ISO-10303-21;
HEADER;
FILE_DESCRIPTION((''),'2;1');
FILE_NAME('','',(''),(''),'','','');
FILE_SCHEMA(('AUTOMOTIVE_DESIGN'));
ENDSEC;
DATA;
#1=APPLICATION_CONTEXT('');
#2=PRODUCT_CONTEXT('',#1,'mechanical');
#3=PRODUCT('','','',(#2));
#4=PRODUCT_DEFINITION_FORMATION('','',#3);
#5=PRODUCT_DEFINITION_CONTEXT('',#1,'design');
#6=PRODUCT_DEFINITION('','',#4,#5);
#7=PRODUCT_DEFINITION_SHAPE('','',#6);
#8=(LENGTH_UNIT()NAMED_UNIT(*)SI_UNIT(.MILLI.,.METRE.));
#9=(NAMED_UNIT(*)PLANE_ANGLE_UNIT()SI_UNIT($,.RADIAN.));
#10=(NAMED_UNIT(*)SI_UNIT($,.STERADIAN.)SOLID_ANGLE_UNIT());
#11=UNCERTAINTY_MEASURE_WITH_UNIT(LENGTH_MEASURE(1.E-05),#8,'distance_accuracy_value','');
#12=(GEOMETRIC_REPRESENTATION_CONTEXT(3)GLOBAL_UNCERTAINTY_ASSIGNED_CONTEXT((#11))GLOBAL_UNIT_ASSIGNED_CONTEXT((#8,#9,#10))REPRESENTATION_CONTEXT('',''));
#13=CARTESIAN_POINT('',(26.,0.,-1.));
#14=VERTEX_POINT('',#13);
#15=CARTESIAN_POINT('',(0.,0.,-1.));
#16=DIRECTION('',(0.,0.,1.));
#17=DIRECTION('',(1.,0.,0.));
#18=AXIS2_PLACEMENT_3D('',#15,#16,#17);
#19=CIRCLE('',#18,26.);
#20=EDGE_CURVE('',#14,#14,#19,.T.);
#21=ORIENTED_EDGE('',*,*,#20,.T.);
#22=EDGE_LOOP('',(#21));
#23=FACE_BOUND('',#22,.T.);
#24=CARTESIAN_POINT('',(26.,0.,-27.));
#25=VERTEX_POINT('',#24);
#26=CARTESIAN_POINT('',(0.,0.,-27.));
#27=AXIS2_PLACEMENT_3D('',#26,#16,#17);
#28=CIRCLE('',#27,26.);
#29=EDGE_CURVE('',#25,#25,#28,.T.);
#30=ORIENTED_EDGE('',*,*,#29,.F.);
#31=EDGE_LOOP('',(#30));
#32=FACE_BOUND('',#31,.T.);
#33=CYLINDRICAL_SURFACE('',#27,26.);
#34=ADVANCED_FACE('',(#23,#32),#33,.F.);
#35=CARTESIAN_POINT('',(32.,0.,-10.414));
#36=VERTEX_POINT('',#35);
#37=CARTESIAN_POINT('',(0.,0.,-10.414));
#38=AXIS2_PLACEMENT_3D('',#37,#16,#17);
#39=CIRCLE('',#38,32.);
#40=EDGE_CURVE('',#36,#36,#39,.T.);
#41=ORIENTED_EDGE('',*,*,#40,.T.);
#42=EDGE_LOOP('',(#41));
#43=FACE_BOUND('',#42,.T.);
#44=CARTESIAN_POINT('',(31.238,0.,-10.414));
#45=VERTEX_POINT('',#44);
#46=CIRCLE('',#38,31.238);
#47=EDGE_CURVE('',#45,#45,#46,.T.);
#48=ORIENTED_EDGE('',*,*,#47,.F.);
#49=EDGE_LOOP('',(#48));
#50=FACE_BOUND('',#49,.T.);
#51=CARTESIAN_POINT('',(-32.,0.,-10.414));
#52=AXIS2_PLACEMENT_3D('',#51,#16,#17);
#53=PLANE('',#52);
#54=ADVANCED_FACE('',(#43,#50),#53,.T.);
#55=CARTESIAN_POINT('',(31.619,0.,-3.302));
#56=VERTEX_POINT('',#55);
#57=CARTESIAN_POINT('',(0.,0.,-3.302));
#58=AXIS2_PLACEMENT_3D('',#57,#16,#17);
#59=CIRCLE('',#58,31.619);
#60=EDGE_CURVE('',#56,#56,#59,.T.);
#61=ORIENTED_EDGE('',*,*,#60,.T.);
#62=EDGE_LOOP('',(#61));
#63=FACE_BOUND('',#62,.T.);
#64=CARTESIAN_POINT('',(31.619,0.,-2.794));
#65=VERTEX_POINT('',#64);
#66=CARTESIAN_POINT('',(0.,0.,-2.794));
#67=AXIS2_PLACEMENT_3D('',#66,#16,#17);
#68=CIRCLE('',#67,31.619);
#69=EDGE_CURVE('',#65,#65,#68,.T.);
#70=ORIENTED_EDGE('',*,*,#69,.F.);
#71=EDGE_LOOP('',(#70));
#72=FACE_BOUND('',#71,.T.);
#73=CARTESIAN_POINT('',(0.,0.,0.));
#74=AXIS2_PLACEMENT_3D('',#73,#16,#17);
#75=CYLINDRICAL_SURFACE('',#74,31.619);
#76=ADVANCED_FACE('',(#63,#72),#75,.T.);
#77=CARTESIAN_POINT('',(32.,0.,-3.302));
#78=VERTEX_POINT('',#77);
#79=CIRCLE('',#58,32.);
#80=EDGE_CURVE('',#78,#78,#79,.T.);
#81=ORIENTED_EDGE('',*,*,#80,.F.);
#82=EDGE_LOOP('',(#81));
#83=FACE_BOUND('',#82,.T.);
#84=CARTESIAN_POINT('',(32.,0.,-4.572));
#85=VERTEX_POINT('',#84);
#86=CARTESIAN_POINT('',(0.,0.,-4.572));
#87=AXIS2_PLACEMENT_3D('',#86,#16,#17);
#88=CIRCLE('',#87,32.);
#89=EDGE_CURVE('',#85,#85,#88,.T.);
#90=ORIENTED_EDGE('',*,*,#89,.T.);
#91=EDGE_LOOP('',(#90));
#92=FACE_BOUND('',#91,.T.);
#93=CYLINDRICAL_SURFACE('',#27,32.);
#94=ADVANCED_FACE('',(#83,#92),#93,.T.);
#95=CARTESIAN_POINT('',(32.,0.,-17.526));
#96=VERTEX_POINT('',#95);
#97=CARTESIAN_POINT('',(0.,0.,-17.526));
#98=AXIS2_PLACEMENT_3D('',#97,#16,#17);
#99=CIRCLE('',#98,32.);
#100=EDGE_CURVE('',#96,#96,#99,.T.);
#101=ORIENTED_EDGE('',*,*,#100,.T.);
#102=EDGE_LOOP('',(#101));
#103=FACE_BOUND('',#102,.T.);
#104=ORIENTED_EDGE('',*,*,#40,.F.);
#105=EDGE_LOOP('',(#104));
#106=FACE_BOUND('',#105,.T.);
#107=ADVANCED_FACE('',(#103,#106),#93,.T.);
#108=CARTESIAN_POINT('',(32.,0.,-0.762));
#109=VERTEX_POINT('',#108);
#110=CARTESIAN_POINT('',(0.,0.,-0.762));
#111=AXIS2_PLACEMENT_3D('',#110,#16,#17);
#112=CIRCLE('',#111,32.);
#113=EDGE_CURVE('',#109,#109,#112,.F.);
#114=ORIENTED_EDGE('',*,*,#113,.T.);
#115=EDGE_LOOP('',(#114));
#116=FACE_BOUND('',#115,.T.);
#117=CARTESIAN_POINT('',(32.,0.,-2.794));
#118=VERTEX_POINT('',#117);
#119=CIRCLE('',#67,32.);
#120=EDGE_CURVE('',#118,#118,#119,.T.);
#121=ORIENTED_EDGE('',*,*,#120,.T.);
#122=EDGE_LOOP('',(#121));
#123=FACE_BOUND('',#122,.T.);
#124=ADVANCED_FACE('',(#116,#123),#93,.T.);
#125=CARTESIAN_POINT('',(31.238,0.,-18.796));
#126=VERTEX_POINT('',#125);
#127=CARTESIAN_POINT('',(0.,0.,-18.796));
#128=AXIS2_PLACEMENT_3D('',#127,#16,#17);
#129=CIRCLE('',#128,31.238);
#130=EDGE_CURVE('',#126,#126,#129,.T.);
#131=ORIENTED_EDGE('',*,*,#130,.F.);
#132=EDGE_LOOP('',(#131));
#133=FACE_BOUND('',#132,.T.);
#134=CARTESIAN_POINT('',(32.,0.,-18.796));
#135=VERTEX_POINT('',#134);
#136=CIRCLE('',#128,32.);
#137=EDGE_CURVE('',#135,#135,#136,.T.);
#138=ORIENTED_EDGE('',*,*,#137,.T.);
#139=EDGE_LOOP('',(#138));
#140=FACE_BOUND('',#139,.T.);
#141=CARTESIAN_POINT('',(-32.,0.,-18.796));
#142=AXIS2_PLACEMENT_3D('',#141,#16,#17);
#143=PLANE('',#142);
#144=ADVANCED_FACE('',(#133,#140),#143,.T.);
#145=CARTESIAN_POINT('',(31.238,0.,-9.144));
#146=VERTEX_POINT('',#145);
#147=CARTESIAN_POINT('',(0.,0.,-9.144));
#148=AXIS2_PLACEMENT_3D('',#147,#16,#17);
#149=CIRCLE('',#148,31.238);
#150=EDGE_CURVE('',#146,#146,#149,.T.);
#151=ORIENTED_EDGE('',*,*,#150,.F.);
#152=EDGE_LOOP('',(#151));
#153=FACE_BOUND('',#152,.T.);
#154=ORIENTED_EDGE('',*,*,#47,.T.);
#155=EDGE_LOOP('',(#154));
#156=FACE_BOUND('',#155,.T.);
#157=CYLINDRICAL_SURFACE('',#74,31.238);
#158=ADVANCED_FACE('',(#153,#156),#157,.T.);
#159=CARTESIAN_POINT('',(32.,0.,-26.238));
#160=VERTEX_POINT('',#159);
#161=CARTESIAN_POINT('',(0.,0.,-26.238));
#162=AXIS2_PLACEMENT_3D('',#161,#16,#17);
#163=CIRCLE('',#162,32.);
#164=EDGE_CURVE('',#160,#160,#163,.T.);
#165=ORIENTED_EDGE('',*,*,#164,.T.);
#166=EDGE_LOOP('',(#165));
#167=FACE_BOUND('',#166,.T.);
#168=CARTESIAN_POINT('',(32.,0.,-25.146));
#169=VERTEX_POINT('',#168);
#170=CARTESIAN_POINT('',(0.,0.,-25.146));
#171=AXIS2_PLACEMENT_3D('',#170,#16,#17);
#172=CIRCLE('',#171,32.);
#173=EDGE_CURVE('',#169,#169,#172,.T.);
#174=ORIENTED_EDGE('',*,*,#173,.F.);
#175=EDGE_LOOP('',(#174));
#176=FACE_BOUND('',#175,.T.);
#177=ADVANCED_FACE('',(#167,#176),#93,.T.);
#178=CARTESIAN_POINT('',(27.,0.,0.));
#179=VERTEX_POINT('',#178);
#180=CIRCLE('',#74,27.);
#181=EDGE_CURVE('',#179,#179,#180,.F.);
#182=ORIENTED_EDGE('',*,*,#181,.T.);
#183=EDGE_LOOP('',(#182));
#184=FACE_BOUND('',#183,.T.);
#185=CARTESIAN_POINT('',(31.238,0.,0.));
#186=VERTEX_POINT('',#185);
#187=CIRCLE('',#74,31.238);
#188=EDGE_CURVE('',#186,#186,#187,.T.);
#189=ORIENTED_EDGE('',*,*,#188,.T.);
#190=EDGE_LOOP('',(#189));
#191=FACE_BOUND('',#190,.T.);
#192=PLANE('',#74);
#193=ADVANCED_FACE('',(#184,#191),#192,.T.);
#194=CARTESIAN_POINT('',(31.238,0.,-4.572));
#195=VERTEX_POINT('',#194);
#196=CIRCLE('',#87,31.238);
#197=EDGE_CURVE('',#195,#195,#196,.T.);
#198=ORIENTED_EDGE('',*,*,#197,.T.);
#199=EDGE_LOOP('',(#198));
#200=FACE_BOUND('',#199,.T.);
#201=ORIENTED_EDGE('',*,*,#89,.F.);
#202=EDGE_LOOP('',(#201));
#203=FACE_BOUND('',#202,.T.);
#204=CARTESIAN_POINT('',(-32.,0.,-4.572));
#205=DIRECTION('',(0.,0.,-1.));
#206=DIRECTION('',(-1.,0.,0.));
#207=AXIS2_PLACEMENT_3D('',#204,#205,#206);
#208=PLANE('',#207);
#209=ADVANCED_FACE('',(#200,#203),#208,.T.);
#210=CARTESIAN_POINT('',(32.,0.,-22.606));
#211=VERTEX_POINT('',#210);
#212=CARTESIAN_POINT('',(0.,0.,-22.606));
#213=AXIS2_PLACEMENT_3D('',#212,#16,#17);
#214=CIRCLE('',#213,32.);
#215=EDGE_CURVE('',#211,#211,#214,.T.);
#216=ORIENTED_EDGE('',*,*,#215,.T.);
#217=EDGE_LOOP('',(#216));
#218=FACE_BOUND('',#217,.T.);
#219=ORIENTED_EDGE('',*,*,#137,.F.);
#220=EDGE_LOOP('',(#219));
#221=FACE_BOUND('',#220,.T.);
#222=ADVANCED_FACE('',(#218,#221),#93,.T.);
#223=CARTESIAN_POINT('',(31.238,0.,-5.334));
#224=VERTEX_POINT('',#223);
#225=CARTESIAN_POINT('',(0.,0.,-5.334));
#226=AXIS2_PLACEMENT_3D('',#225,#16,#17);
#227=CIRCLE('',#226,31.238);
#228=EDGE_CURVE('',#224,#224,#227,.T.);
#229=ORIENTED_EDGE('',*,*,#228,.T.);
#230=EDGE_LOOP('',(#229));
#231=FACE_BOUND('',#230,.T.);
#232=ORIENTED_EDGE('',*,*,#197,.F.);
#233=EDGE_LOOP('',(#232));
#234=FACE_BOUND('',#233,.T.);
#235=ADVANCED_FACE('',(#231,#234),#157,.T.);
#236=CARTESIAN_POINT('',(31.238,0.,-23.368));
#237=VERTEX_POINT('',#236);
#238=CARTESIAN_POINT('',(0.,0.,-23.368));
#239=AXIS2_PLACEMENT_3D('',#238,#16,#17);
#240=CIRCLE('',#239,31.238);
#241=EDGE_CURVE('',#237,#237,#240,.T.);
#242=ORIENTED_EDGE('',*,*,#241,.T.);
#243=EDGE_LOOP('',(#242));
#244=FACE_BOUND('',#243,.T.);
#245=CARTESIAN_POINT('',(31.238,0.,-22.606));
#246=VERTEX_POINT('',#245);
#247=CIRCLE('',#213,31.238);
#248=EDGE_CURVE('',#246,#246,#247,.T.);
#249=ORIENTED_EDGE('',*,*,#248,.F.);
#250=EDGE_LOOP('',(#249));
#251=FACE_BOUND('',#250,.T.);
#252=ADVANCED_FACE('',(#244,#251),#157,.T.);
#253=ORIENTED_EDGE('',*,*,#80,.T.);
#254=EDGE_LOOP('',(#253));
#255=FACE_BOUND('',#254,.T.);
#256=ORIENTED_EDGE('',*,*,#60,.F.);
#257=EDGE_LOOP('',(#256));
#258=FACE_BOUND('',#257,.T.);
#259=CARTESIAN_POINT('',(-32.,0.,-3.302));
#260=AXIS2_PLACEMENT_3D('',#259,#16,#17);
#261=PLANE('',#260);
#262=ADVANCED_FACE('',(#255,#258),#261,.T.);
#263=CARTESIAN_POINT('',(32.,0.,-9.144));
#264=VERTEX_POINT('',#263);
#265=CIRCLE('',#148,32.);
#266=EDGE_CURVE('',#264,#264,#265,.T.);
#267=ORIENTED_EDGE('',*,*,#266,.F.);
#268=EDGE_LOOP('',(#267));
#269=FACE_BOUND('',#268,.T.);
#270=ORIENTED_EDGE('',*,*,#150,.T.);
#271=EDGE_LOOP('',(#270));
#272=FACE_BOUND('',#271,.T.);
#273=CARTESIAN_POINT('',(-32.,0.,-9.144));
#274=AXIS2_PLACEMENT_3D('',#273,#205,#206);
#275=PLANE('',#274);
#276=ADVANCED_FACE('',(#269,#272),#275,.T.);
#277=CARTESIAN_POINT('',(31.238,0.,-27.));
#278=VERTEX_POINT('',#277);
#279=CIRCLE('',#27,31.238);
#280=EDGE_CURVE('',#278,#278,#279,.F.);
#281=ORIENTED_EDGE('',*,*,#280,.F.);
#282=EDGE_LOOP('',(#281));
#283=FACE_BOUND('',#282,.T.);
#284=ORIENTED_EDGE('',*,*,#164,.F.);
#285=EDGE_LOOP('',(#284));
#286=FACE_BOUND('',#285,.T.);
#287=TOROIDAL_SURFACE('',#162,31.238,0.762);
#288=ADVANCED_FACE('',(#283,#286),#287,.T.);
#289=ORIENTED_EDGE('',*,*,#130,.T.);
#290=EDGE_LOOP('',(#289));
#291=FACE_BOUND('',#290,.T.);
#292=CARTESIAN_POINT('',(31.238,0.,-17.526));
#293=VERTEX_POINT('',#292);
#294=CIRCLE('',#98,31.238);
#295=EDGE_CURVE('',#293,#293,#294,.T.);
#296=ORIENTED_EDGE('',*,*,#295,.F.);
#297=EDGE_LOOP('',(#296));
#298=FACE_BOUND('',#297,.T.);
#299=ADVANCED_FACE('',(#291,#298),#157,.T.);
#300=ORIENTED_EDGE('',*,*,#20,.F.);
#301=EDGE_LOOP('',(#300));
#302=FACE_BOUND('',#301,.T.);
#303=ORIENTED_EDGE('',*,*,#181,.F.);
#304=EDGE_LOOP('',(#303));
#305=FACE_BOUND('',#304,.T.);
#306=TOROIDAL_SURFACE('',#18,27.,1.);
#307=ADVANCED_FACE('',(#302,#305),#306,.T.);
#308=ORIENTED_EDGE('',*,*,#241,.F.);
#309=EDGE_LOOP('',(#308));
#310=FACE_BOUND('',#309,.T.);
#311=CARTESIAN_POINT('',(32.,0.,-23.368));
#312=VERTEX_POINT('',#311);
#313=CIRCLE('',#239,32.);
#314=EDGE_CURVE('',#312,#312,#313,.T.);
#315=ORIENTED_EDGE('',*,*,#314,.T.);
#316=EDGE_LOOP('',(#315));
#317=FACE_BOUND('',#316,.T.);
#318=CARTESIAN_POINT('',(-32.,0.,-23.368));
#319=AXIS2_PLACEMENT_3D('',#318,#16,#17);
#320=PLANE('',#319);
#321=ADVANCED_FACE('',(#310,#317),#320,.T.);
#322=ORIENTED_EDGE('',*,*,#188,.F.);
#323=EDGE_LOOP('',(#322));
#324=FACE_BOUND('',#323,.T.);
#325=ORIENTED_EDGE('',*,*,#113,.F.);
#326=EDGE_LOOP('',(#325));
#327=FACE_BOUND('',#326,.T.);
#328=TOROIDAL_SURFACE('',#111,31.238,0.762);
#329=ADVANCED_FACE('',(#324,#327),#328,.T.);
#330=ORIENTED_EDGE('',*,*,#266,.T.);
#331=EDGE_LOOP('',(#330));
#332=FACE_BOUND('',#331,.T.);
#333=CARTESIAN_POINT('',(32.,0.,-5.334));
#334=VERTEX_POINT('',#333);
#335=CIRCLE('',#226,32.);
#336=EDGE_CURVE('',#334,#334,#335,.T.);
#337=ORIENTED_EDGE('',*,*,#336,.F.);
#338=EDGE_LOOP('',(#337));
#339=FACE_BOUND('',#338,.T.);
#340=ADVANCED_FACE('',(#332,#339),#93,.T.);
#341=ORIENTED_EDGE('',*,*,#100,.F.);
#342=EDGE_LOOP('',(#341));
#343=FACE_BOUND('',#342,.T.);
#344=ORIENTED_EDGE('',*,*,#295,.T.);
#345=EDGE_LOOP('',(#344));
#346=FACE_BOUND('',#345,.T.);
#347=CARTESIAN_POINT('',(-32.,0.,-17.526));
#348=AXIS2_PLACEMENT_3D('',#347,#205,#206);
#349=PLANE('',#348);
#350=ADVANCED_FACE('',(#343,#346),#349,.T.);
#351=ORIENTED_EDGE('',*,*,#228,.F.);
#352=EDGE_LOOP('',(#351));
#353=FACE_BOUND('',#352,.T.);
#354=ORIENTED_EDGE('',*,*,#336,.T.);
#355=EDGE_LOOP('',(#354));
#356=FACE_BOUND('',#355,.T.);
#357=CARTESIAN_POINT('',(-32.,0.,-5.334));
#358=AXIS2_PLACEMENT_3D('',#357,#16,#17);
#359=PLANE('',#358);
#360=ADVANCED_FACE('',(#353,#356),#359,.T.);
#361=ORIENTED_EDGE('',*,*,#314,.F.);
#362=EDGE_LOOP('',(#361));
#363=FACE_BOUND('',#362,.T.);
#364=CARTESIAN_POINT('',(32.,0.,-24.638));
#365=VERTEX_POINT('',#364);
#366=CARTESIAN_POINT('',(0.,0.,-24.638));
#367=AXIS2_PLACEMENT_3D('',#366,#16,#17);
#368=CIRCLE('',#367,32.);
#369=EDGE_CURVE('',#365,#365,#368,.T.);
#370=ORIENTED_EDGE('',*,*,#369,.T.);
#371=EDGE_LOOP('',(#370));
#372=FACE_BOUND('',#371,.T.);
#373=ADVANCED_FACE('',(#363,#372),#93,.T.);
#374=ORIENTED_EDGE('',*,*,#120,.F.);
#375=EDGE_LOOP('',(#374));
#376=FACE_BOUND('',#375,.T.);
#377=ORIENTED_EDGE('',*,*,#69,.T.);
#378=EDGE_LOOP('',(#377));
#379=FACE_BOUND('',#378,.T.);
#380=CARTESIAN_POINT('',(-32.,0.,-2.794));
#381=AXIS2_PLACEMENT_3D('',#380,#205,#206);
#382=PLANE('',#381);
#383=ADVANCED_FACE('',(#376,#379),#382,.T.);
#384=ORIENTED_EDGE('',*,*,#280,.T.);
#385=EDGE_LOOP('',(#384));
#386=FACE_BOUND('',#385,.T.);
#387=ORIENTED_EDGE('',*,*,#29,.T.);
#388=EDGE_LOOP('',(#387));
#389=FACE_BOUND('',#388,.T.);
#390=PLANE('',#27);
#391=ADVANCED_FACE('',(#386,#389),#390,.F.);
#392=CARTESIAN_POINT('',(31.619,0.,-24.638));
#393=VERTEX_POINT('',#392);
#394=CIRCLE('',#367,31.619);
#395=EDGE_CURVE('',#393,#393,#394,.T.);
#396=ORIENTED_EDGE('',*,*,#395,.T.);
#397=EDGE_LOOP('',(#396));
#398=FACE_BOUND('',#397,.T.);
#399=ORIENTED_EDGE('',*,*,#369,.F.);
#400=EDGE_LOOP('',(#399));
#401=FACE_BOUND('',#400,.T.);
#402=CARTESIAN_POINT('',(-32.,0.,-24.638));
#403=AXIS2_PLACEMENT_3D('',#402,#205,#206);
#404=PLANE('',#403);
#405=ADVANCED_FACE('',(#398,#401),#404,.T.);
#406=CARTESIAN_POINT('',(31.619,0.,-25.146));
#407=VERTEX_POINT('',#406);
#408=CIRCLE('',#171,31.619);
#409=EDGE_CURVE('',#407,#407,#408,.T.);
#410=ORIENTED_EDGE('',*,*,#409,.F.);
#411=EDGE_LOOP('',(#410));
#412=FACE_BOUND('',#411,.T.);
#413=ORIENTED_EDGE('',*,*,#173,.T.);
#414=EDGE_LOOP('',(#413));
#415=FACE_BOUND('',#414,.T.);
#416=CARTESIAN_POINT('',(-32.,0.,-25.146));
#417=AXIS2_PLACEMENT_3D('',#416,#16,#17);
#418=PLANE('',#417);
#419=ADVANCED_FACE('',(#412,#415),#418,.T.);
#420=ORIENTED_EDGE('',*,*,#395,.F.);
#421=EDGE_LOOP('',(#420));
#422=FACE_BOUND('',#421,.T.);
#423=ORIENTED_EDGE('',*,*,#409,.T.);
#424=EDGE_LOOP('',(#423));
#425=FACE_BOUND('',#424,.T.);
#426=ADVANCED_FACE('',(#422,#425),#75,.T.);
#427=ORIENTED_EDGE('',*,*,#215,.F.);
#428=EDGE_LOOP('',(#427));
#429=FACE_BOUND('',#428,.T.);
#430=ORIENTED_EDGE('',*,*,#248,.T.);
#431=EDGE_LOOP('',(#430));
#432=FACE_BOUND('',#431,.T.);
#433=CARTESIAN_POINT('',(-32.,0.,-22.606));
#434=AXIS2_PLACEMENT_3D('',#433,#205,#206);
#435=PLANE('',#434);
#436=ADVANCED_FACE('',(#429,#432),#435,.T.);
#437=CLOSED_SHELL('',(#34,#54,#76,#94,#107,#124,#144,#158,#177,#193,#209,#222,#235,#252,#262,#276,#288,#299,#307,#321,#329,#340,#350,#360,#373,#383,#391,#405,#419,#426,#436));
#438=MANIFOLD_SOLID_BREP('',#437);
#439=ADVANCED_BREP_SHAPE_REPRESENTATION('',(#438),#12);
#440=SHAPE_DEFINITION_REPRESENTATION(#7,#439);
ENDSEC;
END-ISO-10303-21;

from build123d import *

# Parameters (mm, degrees)
CROQUIS1_R              = 32
CROQUIS1_R_2            = 26
SALIENTE_EXTRUIR1_DEPTH = 27
REDONDEO1_R             = 0.762
CROQUIS2_W              = 0.762
CROQUIS2_H              = 0.762
CROQUIS2_H_2            = 1.27
CROQUIS2_W_2            = 0.381
CROQUIS2_H_3            = 0.508
FILLET1_R               = 1


with BuildPart() as part:
    # Croquis1 → Saliente-Extruir1 (new body)
    with BuildSketch(Plane.XY):
        Circle(CROQUIS1_R)
        Circle(CROQUIS1_R_2, mode=Mode.SUBTRACT)
    extrude(amount=-SALIENTE_EXTRUIR1_DEPTH)

    # Redondeo1
    redondeo1_edges = [part.edges().sort_by_distance(p)[0] for p in [
        (-32, 0, 0),
        (-32, 0, -27),
    ]]
    fillet(redondeo1_edges, radius=REDONDEO1_R)

    # Croquis2 → Cortar-Revolución1 (revolve, cut)
    with BuildSketch(Plane(origin=(0, 0, 0), x_dir=(1, 0, 0), z_dir=(0, 1, 0)), mode=Mode.PRIVATE) as cortar_revoluci_n1_sk:
        with Locations((-31.619, 22.987)):
            Rectangle(CROQUIS2_W, CROQUIS2_H)
        with Locations((-31.619, 18.161)):
            Rectangle(CROQUIS2_W, CROQUIS2_H_2)
        with Locations((-31.8095, 24.892)):
            Rectangle(CROQUIS2_W_2, CROQUIS2_H_3)
        with Locations((-31.619, 9.779)):
            Rectangle(CROQUIS2_W, CROQUIS2_H_2)
        with Locations((-31.619, 4.953)):
            Rectangle(CROQUIS2_W, CROQUIS2_H)
        with Locations((-31.8095, 3.048)):
            Rectangle(CROQUIS2_W_2, CROQUIS2_H_3)
    revolve(cortar_revoluci_n1_sk.sketch.rotate(Axis((0, 0, 0), (0, 0, -1)), 180), axis=Axis((0, 0, 0), (0, 0, -1)), mode=Mode.SUBTRACT)

    # Fillet1
    fillet1_edges = [part.edges().sort_by_distance(p)[0] for p in [
        (-26, 0, 0),
    ]]
    fillet(fillet1_edges, radius=FILLET1_R)


solid = part.part
